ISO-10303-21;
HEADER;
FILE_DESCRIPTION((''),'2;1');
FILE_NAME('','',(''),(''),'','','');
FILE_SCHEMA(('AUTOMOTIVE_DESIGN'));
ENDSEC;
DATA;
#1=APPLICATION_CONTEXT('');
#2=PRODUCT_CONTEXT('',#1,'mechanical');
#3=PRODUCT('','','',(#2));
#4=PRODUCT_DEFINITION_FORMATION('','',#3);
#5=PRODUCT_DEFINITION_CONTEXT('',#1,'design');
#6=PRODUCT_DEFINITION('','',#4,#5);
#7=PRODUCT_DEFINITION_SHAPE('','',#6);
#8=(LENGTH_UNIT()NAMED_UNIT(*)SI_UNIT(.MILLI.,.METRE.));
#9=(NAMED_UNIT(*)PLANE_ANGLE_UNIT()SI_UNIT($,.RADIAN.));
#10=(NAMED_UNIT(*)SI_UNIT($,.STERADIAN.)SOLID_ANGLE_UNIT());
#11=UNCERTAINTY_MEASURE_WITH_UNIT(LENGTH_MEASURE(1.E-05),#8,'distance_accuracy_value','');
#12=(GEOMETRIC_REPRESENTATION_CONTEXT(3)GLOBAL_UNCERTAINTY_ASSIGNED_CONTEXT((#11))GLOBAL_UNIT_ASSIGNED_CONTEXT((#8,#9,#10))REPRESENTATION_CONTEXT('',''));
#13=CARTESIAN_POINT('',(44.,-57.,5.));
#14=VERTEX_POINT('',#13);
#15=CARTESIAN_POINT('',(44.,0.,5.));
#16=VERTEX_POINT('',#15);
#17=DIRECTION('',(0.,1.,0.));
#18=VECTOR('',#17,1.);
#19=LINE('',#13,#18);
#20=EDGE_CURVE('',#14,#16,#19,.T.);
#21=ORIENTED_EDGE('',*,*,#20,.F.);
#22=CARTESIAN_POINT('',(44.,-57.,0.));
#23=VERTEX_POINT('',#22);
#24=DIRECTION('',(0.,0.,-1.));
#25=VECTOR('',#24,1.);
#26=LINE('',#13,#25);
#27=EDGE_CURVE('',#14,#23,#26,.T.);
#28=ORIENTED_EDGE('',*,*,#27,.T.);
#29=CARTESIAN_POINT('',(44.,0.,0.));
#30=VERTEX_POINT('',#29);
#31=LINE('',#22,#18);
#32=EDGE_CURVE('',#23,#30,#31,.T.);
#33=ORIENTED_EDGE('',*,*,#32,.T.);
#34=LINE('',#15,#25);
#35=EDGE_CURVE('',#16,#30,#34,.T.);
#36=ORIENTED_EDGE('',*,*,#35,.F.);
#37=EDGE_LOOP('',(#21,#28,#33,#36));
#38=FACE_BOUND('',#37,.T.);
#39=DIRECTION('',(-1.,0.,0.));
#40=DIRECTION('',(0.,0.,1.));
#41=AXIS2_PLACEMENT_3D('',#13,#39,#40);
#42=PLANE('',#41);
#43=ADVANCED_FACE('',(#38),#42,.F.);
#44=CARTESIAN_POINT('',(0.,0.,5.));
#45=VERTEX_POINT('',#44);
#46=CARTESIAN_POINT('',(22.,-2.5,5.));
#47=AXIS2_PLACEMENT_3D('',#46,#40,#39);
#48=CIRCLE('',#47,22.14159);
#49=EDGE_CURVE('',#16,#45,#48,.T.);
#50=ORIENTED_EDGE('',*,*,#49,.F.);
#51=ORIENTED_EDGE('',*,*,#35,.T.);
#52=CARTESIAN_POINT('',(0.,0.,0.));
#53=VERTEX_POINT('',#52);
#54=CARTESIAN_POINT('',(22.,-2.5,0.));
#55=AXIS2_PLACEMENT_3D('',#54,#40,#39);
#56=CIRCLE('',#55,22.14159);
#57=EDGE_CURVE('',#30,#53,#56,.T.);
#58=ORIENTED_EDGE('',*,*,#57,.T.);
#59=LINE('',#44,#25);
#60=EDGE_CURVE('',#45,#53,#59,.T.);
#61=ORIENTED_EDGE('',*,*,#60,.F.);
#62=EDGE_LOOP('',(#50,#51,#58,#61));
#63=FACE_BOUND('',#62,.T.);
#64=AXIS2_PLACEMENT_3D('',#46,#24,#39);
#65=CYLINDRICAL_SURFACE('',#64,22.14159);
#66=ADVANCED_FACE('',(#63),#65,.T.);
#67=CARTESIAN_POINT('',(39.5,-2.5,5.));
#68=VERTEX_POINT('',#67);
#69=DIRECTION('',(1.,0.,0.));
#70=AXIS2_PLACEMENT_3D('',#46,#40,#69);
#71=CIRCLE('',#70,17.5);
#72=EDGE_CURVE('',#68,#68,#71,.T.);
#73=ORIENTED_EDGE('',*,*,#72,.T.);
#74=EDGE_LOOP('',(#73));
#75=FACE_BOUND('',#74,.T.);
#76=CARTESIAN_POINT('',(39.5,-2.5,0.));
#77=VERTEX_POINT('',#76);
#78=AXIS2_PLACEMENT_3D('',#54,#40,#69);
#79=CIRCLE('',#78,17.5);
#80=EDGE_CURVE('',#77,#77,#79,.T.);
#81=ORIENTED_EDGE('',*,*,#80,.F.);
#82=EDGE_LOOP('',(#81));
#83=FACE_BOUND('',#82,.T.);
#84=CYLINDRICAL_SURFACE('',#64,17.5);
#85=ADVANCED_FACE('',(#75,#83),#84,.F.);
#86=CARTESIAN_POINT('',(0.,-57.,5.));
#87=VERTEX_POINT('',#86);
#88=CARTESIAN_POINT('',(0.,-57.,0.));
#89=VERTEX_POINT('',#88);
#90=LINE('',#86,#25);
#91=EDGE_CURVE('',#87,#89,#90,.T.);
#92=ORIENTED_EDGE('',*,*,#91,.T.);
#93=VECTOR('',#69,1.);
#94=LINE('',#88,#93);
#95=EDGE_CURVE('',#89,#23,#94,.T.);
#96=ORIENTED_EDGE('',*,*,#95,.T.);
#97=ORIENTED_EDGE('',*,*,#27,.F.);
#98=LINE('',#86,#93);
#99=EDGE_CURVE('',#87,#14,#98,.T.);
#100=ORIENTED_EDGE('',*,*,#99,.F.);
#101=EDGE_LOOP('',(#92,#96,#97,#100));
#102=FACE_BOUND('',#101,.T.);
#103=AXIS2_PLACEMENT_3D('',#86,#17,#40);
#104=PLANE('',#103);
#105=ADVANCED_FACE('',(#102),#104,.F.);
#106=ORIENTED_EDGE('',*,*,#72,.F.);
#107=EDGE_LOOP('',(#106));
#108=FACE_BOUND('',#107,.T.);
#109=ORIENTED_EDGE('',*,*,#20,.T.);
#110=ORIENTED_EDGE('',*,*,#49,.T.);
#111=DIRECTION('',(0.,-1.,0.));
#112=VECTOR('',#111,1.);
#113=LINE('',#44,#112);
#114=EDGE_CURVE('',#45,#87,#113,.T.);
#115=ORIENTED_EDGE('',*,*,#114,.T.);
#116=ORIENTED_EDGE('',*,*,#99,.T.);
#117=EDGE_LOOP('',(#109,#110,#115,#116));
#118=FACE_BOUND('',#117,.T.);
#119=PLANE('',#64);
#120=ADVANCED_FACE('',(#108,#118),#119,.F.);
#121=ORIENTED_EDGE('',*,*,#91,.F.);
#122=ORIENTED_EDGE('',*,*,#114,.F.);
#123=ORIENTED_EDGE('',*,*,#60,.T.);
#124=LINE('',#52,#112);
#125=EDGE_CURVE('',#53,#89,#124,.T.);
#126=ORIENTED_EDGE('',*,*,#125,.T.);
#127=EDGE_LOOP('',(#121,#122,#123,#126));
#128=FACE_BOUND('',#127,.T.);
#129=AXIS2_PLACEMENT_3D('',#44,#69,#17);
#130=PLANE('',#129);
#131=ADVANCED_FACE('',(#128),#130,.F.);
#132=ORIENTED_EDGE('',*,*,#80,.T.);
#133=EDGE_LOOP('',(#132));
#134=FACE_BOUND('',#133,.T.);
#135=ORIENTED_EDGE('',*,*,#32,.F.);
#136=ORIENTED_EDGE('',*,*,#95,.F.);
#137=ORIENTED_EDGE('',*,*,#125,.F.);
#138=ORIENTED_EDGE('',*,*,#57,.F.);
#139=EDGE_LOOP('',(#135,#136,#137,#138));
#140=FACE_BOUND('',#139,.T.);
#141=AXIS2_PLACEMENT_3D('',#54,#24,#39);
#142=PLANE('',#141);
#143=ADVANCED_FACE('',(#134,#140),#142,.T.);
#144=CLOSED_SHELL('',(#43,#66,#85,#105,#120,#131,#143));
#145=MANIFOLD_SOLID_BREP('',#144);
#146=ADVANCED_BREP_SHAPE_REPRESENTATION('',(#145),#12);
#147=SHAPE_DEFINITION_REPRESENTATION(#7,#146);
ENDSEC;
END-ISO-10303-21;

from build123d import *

# Parameters (mm, degrees)
ESQUISSE1_R        = 17.5
BOSS_EXTRU_1_DEPTH = 5


with BuildPart() as part:
    # Esquisse1 → Boss.-Extru.1 (new body)
    with BuildSketch(Plane.XY):
        with BuildLine():
            Line((0, 0), (0, -57))
            Line((0, -57), (44, -57))
            Line((44, -57), (44, 0))
            ThreePointArc((44, 0), (22, 19.641589825), (0, 0))
        make_face()
        with Locations((22, -2.5)):
            Circle(ESQUISSE1_R, mode=Mode.SUBTRACT)
    extrude(amount=BOSS_EXTRU_1_DEPTH)


solid = part.part
